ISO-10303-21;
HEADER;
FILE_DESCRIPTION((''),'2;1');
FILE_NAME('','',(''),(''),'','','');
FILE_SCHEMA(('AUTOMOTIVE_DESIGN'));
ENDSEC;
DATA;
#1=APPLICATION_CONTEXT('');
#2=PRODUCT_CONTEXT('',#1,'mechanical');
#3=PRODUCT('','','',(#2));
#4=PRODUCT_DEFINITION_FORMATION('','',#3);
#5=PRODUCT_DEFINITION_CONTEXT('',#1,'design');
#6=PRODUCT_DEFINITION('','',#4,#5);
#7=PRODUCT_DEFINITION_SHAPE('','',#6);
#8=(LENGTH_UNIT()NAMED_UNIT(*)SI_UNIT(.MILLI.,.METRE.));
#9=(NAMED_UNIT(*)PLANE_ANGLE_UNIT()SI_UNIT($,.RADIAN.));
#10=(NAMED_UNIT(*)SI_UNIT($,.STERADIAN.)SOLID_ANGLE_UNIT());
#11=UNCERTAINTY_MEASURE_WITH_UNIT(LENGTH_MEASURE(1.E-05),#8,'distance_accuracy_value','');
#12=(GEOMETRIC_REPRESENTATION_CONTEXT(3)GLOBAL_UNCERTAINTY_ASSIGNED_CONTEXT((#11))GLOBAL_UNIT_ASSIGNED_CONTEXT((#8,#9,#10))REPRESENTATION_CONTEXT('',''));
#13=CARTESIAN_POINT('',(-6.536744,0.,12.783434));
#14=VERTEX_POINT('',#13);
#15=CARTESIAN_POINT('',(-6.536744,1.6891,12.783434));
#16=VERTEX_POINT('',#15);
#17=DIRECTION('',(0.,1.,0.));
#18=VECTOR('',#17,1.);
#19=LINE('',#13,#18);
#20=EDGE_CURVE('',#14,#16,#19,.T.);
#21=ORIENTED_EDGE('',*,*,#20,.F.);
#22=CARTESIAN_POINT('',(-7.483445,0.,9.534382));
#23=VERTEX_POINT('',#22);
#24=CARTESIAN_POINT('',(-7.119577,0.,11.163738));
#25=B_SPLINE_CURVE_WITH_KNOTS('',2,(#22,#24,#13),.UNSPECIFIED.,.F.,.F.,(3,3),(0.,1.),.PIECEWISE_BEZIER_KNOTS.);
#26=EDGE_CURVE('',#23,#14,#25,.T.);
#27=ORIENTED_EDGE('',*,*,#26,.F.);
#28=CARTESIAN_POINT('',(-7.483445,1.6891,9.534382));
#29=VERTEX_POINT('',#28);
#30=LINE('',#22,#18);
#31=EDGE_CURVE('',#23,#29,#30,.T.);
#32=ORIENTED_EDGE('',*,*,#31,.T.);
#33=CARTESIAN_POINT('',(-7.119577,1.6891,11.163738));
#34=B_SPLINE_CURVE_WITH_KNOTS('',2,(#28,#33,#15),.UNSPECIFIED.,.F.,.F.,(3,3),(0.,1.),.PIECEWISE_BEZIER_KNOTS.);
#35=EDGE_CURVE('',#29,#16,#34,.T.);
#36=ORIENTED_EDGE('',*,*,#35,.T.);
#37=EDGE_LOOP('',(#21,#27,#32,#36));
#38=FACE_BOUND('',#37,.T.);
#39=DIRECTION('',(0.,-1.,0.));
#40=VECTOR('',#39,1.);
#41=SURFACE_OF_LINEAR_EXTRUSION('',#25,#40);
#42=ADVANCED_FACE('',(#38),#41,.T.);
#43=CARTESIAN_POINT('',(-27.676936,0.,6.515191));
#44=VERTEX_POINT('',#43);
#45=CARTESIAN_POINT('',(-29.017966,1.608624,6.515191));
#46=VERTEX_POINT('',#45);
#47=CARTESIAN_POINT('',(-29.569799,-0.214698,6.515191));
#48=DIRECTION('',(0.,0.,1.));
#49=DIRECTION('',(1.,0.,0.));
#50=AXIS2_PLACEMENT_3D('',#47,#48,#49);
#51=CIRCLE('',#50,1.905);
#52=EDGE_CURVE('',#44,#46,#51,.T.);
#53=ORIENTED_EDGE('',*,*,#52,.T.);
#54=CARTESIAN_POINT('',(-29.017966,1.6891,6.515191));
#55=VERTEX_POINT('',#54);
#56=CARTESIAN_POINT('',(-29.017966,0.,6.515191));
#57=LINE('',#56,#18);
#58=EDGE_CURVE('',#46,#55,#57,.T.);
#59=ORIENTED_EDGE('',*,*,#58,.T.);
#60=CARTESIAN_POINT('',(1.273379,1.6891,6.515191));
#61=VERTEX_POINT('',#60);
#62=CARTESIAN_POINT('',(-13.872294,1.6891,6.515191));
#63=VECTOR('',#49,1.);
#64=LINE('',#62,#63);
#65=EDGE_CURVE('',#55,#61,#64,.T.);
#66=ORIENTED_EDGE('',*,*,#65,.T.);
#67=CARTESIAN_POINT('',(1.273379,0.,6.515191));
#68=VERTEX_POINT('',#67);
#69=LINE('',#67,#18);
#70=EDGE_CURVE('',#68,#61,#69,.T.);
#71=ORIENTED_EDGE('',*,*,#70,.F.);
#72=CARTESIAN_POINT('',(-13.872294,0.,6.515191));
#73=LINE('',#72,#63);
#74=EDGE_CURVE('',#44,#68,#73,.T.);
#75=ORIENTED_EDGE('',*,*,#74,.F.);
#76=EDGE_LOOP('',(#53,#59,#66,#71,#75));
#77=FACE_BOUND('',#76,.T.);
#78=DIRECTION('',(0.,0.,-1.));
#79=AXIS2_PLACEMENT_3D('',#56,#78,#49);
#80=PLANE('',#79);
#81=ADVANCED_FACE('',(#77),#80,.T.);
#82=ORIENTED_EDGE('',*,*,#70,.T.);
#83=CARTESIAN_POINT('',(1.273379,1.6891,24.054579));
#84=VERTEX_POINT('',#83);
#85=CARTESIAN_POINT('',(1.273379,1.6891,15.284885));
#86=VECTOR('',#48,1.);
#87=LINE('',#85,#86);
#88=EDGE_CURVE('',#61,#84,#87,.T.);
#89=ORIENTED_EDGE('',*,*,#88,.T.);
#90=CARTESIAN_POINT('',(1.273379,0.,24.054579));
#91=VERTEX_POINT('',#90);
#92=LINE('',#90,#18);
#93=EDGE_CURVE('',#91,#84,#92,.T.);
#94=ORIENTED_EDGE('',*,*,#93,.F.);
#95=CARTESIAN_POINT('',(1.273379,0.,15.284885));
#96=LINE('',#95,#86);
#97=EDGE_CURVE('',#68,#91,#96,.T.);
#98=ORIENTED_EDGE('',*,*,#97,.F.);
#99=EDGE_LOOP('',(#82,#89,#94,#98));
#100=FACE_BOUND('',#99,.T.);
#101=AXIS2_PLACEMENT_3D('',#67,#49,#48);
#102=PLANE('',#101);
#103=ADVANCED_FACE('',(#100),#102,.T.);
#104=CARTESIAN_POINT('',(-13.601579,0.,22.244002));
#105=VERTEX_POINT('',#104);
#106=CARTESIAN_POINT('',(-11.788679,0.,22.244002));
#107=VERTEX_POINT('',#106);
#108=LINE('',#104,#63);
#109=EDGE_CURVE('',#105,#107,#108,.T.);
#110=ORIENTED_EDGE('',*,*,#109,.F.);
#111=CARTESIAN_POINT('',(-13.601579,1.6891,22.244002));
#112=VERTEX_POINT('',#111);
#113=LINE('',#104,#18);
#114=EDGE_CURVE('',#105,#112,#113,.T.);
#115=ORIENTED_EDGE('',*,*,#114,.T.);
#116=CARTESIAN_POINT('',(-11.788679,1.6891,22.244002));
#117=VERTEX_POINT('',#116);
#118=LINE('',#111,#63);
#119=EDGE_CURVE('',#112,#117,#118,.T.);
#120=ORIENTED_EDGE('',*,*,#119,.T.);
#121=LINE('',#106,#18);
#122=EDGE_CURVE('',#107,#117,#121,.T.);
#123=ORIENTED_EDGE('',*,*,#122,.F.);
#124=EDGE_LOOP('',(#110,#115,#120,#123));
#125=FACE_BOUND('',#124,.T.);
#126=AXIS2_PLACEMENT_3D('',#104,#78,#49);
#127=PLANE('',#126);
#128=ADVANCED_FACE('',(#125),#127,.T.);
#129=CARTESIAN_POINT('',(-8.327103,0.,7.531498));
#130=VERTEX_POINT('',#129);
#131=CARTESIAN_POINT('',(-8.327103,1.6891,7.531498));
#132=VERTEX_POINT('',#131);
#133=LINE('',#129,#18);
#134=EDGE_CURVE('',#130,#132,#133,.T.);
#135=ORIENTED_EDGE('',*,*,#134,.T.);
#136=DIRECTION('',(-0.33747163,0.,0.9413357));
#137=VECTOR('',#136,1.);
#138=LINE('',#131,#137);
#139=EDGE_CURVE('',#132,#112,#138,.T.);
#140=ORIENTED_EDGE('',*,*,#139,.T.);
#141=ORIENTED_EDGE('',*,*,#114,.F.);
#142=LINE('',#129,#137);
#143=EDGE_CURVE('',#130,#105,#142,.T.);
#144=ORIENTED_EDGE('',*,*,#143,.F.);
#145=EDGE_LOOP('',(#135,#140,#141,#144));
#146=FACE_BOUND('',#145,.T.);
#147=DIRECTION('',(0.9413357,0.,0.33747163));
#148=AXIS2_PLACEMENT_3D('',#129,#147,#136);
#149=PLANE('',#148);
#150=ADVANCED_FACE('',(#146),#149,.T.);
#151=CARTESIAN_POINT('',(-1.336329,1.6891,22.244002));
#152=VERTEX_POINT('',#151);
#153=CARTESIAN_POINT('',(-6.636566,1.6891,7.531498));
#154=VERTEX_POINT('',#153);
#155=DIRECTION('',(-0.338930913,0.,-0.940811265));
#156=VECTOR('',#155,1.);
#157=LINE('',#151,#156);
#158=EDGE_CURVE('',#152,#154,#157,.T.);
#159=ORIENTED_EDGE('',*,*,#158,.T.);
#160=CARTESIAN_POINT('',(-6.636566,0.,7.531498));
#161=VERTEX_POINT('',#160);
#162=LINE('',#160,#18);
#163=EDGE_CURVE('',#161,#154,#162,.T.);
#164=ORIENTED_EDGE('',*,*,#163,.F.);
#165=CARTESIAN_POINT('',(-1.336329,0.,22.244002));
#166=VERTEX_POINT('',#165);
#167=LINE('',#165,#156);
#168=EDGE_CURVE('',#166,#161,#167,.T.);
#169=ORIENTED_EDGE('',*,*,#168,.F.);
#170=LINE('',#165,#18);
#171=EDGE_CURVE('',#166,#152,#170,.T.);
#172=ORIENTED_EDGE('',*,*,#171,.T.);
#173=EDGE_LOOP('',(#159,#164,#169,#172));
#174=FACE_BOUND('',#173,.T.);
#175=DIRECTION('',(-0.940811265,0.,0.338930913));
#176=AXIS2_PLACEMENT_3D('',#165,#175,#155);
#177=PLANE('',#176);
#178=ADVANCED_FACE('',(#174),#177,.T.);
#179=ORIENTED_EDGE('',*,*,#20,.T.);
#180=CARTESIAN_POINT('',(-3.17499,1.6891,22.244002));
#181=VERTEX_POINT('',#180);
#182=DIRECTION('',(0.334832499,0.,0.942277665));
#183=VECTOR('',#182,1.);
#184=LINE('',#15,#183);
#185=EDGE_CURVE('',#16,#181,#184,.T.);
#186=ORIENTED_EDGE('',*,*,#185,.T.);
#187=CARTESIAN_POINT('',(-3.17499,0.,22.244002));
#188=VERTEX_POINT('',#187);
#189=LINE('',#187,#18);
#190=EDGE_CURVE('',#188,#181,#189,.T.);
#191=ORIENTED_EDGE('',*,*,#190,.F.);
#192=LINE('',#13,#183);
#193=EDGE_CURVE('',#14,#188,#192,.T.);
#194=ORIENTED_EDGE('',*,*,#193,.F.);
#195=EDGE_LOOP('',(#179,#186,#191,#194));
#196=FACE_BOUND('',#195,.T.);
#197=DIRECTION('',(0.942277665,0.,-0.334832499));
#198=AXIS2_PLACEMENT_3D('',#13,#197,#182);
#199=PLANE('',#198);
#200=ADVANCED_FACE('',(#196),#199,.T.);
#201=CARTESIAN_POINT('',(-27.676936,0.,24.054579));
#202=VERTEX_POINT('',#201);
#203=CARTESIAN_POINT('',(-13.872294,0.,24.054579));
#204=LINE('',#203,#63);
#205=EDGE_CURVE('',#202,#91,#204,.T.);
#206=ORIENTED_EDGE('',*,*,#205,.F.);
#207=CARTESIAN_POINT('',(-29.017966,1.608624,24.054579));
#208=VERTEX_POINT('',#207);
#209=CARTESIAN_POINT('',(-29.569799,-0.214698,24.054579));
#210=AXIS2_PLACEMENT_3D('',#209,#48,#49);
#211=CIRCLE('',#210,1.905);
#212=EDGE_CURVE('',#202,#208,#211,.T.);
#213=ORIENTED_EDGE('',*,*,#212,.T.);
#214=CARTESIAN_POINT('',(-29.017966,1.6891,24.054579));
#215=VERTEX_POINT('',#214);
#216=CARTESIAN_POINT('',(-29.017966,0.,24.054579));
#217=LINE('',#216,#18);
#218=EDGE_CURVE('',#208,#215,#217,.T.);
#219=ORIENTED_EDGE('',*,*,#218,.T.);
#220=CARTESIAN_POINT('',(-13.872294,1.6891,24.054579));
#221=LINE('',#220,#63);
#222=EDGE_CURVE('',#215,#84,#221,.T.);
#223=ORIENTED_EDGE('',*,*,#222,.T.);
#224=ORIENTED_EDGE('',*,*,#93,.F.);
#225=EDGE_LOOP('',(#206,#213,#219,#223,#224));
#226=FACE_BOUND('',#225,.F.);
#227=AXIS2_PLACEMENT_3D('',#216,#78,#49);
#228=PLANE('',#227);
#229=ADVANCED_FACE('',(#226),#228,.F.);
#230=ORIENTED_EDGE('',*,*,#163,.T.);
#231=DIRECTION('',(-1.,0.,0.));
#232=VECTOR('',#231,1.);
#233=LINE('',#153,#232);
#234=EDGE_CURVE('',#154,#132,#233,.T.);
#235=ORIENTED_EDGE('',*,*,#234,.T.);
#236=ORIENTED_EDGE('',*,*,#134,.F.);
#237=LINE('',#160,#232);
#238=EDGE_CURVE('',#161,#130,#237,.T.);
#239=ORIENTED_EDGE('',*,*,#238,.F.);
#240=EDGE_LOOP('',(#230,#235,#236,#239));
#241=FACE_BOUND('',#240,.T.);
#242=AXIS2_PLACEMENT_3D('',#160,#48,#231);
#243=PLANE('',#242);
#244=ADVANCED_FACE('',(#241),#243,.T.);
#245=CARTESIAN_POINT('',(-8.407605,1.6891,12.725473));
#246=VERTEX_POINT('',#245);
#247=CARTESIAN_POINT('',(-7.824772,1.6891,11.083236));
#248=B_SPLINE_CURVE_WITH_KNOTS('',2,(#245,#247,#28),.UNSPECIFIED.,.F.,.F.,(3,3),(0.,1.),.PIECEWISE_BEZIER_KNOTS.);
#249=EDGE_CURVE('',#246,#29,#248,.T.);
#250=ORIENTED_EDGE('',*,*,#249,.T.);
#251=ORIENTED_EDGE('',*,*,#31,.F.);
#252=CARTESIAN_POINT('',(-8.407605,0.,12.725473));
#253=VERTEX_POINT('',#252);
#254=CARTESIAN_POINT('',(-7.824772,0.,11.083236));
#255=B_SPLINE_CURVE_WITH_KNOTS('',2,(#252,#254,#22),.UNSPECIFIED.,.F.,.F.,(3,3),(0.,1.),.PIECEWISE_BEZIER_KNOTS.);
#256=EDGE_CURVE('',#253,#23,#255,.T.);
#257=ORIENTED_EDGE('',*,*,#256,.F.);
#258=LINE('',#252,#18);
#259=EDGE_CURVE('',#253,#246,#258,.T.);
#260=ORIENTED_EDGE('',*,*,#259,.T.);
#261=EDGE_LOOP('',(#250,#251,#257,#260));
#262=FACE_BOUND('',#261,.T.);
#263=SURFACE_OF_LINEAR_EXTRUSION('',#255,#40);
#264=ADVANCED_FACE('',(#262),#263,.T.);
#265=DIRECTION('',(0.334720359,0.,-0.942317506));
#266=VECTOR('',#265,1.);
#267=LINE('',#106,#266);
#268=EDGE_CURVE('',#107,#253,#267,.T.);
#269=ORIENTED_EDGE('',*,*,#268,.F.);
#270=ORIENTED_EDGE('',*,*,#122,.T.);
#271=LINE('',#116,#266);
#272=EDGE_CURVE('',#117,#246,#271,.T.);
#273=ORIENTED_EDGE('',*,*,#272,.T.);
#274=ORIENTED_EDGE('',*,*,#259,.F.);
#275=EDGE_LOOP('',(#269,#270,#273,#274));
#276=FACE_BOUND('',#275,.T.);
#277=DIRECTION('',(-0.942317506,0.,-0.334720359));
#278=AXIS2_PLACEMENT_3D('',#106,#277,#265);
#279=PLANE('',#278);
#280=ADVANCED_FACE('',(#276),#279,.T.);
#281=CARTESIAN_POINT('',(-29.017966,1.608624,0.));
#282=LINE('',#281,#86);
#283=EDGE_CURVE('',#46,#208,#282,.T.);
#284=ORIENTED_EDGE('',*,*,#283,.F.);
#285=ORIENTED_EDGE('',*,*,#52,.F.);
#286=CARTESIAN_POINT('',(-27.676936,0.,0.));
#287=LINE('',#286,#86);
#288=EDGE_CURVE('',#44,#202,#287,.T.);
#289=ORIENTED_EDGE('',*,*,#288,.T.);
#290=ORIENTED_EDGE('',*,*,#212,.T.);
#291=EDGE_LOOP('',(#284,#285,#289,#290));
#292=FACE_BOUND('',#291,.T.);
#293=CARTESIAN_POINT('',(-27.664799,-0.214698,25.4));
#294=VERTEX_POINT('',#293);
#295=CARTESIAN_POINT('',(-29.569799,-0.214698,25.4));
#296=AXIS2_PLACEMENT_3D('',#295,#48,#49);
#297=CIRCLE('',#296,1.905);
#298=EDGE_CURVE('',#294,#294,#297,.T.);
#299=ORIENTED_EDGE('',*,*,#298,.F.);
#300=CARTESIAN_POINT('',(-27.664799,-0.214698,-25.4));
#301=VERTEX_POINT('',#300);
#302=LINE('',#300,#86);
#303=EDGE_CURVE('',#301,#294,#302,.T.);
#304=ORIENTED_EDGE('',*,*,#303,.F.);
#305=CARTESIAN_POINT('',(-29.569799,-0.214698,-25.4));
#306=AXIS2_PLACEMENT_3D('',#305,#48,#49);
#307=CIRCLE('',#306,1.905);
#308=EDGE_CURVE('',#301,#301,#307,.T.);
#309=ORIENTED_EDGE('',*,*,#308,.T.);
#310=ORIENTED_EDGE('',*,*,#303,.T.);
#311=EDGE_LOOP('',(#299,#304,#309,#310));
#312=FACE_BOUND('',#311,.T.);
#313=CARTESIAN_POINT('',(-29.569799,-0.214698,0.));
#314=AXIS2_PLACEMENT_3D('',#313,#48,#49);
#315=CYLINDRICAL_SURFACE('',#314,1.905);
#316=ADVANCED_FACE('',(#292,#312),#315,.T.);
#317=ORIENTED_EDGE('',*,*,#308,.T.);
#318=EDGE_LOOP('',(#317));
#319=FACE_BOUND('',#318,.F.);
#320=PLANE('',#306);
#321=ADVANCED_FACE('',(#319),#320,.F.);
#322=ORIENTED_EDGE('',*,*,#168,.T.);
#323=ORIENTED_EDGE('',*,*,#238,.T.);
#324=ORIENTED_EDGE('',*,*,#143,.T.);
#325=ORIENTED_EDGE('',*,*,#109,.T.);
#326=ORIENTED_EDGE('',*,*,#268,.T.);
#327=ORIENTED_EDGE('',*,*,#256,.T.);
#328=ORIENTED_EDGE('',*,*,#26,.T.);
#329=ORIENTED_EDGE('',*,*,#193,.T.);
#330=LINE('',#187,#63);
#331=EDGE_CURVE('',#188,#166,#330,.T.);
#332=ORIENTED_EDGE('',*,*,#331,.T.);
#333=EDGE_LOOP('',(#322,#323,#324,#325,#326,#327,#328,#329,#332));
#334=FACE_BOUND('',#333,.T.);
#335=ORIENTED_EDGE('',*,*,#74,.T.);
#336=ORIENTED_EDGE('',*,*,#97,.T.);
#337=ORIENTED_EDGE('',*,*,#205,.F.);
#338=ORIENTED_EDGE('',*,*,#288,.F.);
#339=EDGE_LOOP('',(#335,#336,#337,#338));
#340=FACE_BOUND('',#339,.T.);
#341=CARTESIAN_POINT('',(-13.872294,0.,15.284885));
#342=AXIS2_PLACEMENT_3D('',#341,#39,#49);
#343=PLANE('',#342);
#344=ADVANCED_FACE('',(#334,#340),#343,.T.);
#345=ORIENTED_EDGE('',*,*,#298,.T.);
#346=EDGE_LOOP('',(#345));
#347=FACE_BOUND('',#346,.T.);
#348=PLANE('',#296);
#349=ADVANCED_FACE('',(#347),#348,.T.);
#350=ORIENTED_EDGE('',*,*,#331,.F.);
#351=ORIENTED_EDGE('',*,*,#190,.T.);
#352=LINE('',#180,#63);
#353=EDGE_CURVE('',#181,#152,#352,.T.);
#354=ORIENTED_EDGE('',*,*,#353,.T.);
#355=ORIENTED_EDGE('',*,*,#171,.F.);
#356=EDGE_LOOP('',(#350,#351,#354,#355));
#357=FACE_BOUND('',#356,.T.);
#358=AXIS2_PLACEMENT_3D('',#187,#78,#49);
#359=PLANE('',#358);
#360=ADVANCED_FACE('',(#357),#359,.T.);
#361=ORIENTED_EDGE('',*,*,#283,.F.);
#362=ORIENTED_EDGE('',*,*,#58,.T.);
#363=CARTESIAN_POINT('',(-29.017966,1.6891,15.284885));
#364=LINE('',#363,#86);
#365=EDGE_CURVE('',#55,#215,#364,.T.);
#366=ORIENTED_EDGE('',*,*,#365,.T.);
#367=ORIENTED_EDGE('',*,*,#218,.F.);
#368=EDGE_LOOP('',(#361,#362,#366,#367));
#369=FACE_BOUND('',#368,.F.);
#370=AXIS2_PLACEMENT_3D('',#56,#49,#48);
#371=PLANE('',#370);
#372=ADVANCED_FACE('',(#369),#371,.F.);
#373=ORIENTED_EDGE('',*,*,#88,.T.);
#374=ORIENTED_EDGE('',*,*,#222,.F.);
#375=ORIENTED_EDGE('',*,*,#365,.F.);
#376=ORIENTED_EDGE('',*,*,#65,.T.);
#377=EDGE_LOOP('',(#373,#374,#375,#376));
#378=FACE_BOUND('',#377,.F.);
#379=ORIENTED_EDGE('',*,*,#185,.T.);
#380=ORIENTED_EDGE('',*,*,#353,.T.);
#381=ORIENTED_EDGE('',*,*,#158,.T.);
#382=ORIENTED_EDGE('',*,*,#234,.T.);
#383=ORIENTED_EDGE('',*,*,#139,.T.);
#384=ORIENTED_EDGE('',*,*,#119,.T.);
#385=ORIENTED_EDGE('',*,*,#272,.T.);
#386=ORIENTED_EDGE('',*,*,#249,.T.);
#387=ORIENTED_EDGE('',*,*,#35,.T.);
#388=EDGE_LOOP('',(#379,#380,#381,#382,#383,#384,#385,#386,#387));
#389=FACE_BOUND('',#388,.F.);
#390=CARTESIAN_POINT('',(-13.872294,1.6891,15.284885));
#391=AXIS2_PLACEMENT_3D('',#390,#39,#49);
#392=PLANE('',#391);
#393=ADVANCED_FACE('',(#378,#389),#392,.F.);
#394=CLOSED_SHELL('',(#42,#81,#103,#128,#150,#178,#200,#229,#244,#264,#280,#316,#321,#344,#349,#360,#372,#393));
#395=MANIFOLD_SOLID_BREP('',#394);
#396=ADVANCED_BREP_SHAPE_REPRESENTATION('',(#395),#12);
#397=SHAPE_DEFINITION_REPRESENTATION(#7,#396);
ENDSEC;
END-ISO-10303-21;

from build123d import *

# Parameters (mm, degrees)
F0_R     = 1.905
F1_DEPTH = 25.4
F2_W     = 30.2913453197
F2_H     = 17.5393885002
F4_DEPTH = 1.6891


with BuildPart() as f1:
    # F0 (on Top) → F1 (new body, symmetric)
    with BuildSketch(Plane.XY):
        with Locations((-29.5697990805, 21.6293018311)):
            Circle(F0_R)
    extrude(amount=F1_DEPTH, both=True)


with BuildPart() as f1_1:
    # F3: moved
    add(f1.part.moved(Location((0, -21.844, 0))))

    # F2 (on Front) → F4 (join)
    with BuildSketch(Plane.XZ):
        with Locations((-13.8722935808, 15.2848851867)):
            Rectangle(F2_W, F2_H)
        with BuildLine():
            Line((-6.5367437352, 12.7834337886), (-3.1749898142, 22.2440018152))
            Line((-3.1749898142, 22.2440018152), (-1.3363293843, 22.2440018152))
            Line((-1.3363293843, 22.2440018152), (-6.6365659302, 7.5314983048))
            Line((-6.6365659302, 7.5314983048), (-8.3271031031, 7.5314983048))
            Line((-8.3271031031, 7.5314983048), (-13.6015790825, 22.2440018152))
            Line((-13.6015790825, 22.2440018152), (-11.788679219, 22.2440018152))
            Line((-11.788679219, 22.2440018152), (-8.4076048732, 12.7254725141))
            add(Edge.make_bspline(
                [(-8.4076048732, 12.7254725141), (-7.8247720574, 11.0832364033), (-7.483444552, 9.5343823459)],
                knots=[0, 0, 0, 1, 1, 1], degree=2))
            add(Edge.make_bspline(
                [(-7.483444552, 9.5343823459), (-7.119576551, 11.1637381734), (-6.5367437352, 12.7834337886)],
                knots=[0, 0, 0, 1, 1, 1], degree=2))
        make_face(mode=Mode.SUBTRACT)
    extrude(amount=-F4_DEPTH)


solid = f1_1.part
